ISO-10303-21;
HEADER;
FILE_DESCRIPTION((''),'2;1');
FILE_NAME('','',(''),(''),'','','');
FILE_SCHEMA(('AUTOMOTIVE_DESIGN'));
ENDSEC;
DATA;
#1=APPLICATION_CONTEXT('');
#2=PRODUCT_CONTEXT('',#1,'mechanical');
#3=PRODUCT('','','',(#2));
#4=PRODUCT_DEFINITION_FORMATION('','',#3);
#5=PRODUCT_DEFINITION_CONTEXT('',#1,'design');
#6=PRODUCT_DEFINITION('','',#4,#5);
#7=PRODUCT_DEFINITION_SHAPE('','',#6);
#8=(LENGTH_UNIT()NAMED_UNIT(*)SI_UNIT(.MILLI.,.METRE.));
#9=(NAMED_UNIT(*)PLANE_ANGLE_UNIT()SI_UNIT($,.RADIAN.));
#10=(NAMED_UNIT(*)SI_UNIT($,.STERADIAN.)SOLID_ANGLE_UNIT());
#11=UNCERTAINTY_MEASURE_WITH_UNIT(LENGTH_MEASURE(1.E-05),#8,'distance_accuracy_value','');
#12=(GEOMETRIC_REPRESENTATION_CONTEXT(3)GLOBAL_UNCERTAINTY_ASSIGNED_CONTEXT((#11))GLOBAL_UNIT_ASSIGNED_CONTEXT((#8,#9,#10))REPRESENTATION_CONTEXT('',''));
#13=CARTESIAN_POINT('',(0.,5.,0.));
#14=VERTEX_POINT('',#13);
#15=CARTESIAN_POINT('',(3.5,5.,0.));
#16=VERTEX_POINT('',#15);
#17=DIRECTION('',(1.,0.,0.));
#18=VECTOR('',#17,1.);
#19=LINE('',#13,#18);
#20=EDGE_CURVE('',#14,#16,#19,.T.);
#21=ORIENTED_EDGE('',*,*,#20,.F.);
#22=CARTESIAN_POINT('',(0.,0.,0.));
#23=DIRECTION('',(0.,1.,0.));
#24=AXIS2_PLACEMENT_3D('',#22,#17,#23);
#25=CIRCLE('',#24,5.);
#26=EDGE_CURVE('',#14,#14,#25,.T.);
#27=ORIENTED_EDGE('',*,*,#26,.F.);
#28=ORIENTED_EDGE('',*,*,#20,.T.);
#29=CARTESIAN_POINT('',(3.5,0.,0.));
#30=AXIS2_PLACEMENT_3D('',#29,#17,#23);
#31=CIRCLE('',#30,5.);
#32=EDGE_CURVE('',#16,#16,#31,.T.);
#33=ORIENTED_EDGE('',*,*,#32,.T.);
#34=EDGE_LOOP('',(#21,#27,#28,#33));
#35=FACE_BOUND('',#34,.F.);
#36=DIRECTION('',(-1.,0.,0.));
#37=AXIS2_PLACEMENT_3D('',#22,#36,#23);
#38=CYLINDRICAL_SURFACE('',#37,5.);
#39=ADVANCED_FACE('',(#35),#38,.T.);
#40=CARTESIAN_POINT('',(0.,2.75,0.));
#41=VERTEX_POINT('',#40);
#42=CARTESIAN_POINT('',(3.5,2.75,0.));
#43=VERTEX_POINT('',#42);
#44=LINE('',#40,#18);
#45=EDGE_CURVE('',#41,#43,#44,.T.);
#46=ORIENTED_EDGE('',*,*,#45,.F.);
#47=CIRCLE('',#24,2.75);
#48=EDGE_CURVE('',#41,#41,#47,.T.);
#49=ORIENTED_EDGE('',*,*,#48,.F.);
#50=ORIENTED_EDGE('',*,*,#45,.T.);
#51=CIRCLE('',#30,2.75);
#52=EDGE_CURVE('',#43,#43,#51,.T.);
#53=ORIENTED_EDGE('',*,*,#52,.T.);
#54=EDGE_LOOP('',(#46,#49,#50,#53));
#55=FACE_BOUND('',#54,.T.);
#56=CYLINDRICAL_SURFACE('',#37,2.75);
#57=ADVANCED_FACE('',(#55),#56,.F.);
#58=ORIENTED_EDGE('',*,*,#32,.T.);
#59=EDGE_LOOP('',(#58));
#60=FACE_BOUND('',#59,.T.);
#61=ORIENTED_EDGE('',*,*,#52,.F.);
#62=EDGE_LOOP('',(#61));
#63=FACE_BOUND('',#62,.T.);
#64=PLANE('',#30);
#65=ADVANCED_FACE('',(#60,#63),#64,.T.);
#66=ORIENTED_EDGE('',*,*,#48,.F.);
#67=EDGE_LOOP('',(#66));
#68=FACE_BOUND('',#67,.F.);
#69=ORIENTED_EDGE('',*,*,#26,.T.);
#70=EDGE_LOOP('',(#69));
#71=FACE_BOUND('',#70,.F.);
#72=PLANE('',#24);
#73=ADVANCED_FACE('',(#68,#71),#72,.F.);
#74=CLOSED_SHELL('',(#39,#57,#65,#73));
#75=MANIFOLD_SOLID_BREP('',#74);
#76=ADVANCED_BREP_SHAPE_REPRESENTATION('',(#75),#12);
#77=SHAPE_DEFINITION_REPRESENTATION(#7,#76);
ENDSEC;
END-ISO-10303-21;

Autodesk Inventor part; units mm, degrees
ref_plane "YZ Plane" through (0, 0, 0) normal (1, 0, 0) x (0, 1, 0)
ref_plane "XZ Plane" through (0, 0, 0) normal (0, 1, 0) x (-1, 0, 0)
ref_plane "XY Plane" through (0, 0, 0) normal (0, 0, 1) x (1, 0, 0)
sketch "Sketch1" plane through (0, 0, 0) normal (1, 0, 0) x (0, 1, 0)
  circle A0 centre (0, 0) radius 2.75
  circle A1 centre (0, 0) radius 5
  dimension "d0" = 5.5
  dimension "d1" = 10
extrude "Extrusion1" add sketch "Sketch1" along normal blind 3.5
properties part number "Spacer_5mm_3-5mm"
